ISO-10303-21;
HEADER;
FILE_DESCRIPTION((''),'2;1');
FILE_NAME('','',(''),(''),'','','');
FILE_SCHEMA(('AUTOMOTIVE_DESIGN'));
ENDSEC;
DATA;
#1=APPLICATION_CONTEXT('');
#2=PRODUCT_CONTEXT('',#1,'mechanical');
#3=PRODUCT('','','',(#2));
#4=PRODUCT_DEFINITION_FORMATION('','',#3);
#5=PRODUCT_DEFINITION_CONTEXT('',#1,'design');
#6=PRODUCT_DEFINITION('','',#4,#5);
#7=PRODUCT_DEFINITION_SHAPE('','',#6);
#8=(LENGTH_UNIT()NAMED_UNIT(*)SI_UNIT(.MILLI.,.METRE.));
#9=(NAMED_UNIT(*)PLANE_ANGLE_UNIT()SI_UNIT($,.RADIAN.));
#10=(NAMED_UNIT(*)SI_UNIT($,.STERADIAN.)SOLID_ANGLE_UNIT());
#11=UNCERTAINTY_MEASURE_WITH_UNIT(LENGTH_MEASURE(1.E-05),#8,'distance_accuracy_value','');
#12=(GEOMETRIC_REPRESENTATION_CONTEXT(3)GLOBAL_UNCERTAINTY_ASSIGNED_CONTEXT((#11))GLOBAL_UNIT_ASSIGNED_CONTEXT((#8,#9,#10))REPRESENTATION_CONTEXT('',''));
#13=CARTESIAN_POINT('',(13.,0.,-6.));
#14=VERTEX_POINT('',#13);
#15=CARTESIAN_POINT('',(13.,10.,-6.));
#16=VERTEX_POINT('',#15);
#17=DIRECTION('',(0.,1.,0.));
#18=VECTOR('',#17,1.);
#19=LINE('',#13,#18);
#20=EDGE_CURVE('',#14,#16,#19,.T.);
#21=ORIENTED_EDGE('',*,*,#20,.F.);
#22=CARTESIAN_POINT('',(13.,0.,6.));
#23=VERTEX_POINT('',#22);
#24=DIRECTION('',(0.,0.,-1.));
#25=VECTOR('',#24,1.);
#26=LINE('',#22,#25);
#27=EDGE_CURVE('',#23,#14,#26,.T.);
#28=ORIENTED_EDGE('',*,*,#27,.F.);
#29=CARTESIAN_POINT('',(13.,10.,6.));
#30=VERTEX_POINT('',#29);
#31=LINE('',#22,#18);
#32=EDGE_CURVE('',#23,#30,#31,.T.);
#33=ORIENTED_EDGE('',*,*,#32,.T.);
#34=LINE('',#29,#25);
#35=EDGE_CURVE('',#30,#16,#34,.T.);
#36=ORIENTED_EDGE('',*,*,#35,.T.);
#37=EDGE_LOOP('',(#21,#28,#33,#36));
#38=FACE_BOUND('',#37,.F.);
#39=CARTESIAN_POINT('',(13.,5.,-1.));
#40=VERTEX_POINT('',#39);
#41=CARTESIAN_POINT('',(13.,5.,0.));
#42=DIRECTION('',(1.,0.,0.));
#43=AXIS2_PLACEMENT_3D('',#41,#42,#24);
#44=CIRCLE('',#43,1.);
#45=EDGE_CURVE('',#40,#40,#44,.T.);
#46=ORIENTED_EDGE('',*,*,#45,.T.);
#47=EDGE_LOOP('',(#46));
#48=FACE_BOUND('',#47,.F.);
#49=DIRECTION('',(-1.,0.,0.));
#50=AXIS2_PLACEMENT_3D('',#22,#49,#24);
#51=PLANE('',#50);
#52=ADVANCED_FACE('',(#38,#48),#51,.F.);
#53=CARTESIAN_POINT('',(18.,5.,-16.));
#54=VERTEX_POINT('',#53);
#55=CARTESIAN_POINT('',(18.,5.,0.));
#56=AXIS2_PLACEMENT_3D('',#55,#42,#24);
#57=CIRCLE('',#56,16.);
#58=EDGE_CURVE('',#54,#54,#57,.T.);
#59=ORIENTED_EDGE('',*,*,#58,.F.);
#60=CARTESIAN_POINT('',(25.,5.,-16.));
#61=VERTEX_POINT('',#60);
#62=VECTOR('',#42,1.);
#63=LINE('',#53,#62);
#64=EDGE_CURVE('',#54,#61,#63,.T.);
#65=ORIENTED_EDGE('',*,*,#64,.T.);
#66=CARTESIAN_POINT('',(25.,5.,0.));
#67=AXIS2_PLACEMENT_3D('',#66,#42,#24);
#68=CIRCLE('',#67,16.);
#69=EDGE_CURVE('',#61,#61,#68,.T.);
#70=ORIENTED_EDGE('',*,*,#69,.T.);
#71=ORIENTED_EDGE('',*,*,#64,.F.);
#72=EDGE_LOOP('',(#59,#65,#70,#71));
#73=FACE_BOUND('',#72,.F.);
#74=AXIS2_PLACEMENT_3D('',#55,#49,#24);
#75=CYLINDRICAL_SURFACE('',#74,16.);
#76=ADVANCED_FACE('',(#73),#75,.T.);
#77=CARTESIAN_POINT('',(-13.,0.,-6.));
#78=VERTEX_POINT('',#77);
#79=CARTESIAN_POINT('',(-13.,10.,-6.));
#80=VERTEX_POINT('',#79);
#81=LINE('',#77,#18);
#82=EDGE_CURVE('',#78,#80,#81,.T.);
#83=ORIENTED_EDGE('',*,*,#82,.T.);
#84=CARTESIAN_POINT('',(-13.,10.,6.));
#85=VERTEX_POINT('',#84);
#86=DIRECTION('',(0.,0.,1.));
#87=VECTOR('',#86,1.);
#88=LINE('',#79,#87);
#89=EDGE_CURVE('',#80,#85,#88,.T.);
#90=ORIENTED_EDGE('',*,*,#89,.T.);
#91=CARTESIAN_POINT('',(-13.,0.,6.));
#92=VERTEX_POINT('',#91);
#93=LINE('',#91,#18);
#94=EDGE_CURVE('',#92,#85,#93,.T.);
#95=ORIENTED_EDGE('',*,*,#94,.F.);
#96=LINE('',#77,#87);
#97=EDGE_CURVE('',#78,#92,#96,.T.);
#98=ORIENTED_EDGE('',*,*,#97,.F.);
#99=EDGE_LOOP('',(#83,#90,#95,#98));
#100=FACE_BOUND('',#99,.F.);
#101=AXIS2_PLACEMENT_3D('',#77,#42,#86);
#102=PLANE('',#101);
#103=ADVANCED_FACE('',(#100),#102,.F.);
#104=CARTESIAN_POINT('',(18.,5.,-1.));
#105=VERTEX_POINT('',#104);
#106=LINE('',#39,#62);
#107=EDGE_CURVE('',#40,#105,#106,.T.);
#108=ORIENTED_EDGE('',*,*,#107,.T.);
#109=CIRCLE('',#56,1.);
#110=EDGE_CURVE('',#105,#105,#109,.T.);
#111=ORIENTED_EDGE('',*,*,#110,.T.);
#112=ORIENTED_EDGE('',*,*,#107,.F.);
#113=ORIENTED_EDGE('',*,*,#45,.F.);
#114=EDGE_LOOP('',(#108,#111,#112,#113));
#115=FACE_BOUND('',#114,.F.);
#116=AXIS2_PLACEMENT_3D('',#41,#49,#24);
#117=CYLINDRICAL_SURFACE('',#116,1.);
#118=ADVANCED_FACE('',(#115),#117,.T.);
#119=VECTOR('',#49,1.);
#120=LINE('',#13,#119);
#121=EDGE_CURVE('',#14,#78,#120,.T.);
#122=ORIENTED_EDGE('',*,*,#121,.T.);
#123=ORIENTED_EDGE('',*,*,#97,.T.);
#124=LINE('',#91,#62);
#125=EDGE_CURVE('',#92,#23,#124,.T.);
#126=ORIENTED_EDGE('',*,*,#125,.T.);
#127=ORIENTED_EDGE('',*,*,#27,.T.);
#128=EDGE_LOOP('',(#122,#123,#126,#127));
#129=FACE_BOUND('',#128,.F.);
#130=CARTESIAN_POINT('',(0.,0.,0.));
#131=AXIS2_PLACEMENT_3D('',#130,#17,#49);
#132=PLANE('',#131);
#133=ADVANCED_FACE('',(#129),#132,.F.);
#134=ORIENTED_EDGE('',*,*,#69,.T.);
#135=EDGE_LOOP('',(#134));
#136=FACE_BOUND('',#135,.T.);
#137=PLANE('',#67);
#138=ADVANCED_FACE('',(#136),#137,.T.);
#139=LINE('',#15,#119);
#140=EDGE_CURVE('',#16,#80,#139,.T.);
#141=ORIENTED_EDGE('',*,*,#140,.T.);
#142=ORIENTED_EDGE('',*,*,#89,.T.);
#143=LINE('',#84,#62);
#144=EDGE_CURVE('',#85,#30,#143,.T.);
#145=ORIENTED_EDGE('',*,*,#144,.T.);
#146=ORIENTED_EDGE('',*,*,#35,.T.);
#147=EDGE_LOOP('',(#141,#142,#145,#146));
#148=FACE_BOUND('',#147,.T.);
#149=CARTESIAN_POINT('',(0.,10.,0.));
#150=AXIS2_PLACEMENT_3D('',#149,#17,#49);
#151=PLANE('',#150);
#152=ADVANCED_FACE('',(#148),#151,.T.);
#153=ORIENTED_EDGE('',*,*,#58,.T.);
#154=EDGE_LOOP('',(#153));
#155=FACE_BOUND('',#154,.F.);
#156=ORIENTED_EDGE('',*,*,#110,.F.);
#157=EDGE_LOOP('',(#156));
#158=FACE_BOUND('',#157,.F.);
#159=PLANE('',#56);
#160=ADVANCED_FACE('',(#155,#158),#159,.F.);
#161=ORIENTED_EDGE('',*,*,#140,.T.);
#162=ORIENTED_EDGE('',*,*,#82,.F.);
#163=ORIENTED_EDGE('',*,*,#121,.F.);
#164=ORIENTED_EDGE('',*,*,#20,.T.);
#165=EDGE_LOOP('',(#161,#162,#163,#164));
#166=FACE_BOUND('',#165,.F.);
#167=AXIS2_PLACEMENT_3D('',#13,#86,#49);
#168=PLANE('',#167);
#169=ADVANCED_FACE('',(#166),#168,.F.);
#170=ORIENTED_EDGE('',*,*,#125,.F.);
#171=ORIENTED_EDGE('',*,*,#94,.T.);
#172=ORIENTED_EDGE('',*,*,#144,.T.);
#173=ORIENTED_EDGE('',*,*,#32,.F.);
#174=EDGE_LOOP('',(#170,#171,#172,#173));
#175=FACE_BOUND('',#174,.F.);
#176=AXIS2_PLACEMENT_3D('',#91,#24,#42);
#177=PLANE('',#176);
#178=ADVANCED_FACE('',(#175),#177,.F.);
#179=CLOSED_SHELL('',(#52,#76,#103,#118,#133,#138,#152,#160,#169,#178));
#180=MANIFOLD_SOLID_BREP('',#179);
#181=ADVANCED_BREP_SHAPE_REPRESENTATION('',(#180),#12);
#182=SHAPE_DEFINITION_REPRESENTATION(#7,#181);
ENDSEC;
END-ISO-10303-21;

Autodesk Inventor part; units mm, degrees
ref_plane "YZ Plane" through (0, 0, 0) normal (1, 0, 0) x (0, 1, 0)
ref_plane "XZ Plane" through (0, 0, 0) normal (0, 1, 0) x (-1, 0, 0)
ref_plane "XY Plane" through (0, 0, 0) normal (0, 0, 1) x (1, 0, 0)
sketch "Sketch1" plane through (0, 0, 0) normal (0, 1, 0) x (-1, 0, 0)
  line L0 (13, 6) -> (-13, 6)
  line L1 (-13, 6) -> (-13, -6)
  line L2 (-13, -6) -> (13, -6)
  line L3 (13, -6) -> (13, 6)
  point P0 (0, 0)
  dimension "d0" = 6
  dimension "d1" = 6
  dimension "d2" = 26
  dimension "d3" = 13
extrude "Extrusion1" add sketch "Sketch1" along normal blind 10
sketch "Sketch2" plane through (13, 0, 6) normal (1, 0, 0) x (0, 0, -1)
  line L0 (0, 10) -> (0, 0)
  circle A0 centre (6, 5) radius 1
  point P0 (6, 0)
  dimension "d6" = 2
extrude "Extrusion2" add sketch "Sketch2" along normal blind 5
sketch "Sketch3" plane through (18, 5, 0) normal (1, 0, 0) x (0, 0, -1)
  circle A0 centre (0, 0) radius 16
  point P0 (0, -5)
  dimension "d9" = 32
extrude "Extrusion3" add sketch "Sketch3" along normal blind 7
properties part number "Motor"
